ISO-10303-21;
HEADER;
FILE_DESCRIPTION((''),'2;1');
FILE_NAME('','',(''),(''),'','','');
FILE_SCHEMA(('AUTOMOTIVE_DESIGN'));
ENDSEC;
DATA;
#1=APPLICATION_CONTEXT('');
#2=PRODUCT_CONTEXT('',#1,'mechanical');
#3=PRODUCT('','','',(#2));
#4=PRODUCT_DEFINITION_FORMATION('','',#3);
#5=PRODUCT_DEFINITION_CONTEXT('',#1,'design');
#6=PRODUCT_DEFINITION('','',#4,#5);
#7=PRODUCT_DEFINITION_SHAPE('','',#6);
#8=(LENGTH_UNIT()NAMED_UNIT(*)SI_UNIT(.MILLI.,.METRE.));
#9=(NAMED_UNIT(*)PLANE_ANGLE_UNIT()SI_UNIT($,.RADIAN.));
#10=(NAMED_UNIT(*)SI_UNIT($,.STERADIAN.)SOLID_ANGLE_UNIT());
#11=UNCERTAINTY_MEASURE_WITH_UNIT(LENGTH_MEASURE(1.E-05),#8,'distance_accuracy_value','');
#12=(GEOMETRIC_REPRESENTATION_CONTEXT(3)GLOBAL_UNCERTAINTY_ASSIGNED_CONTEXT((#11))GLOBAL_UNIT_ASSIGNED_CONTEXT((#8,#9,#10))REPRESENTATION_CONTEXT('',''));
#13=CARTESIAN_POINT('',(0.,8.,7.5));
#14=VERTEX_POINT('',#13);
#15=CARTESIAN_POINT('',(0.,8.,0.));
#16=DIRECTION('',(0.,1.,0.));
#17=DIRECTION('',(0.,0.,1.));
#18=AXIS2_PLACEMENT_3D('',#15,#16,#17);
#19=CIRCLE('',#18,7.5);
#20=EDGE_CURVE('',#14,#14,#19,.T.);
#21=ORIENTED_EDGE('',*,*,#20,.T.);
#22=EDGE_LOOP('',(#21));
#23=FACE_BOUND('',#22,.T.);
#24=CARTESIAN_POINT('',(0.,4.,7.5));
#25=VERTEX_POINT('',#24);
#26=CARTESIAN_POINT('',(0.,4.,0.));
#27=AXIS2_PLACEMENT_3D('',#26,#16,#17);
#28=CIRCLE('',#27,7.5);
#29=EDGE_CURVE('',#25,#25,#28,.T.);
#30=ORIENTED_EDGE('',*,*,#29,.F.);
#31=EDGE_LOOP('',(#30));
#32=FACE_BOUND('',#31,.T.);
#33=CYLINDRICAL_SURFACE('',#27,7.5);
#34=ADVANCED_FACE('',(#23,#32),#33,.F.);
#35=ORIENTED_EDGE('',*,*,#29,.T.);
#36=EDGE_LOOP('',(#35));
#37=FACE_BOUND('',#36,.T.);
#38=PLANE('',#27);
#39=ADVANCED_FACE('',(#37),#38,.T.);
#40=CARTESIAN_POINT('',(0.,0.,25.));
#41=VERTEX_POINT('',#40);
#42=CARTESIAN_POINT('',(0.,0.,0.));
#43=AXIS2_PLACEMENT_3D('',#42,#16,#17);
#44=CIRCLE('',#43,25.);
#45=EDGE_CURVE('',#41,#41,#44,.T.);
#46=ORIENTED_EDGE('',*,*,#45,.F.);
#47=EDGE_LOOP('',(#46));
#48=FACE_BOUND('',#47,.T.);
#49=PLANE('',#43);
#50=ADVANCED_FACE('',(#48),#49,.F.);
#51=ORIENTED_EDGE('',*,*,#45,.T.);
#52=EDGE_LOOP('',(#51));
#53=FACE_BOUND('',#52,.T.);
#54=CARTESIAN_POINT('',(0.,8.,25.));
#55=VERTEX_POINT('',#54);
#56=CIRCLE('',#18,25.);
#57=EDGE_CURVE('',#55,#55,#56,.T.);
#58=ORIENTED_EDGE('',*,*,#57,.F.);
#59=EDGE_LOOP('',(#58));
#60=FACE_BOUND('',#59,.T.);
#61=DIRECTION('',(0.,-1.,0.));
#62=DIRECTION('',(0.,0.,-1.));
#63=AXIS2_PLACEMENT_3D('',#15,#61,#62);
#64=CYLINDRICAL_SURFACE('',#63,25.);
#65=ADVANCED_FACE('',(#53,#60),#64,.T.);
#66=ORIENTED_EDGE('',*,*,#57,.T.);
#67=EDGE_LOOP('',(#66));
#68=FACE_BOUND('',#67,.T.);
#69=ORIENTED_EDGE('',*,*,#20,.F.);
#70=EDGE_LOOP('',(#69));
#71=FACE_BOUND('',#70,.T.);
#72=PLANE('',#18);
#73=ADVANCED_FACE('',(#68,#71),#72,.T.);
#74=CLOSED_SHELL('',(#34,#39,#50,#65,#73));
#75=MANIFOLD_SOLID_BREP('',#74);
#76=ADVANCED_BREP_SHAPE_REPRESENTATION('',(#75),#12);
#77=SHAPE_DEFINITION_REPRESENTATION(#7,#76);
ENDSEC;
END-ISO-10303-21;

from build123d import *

# Parameters (mm, degrees)
SKETCH1_R           = 25
BOSS_EXTRUDE1_DEPTH = 8
SKETCH2_R           = 7.5
CUT_EXTRUDE1_DEPTH  = 4


with BuildPart() as part:
    # Sketch1 → Boss-Extrude1 (new body)
    with BuildSketch(Plane(origin=(0, 0, 0), x_dir=(1, 0, 0), z_dir=(0, 1, 0))):
        Circle(SKETCH1_R)
    extrude(amount=BOSS_EXTRUDE1_DEPTH)

    # Sketch2 → Cut-Extrude1 (cut)
    with BuildSketch(Plane(origin=(0, 8, 0), x_dir=(1, 0, 0), z_dir=(0, 1, 0))):
        Circle(SKETCH2_R)
    extrude(amount=-CUT_EXTRUDE1_DEPTH, mode=Mode.SUBTRACT)


solid = part.part
